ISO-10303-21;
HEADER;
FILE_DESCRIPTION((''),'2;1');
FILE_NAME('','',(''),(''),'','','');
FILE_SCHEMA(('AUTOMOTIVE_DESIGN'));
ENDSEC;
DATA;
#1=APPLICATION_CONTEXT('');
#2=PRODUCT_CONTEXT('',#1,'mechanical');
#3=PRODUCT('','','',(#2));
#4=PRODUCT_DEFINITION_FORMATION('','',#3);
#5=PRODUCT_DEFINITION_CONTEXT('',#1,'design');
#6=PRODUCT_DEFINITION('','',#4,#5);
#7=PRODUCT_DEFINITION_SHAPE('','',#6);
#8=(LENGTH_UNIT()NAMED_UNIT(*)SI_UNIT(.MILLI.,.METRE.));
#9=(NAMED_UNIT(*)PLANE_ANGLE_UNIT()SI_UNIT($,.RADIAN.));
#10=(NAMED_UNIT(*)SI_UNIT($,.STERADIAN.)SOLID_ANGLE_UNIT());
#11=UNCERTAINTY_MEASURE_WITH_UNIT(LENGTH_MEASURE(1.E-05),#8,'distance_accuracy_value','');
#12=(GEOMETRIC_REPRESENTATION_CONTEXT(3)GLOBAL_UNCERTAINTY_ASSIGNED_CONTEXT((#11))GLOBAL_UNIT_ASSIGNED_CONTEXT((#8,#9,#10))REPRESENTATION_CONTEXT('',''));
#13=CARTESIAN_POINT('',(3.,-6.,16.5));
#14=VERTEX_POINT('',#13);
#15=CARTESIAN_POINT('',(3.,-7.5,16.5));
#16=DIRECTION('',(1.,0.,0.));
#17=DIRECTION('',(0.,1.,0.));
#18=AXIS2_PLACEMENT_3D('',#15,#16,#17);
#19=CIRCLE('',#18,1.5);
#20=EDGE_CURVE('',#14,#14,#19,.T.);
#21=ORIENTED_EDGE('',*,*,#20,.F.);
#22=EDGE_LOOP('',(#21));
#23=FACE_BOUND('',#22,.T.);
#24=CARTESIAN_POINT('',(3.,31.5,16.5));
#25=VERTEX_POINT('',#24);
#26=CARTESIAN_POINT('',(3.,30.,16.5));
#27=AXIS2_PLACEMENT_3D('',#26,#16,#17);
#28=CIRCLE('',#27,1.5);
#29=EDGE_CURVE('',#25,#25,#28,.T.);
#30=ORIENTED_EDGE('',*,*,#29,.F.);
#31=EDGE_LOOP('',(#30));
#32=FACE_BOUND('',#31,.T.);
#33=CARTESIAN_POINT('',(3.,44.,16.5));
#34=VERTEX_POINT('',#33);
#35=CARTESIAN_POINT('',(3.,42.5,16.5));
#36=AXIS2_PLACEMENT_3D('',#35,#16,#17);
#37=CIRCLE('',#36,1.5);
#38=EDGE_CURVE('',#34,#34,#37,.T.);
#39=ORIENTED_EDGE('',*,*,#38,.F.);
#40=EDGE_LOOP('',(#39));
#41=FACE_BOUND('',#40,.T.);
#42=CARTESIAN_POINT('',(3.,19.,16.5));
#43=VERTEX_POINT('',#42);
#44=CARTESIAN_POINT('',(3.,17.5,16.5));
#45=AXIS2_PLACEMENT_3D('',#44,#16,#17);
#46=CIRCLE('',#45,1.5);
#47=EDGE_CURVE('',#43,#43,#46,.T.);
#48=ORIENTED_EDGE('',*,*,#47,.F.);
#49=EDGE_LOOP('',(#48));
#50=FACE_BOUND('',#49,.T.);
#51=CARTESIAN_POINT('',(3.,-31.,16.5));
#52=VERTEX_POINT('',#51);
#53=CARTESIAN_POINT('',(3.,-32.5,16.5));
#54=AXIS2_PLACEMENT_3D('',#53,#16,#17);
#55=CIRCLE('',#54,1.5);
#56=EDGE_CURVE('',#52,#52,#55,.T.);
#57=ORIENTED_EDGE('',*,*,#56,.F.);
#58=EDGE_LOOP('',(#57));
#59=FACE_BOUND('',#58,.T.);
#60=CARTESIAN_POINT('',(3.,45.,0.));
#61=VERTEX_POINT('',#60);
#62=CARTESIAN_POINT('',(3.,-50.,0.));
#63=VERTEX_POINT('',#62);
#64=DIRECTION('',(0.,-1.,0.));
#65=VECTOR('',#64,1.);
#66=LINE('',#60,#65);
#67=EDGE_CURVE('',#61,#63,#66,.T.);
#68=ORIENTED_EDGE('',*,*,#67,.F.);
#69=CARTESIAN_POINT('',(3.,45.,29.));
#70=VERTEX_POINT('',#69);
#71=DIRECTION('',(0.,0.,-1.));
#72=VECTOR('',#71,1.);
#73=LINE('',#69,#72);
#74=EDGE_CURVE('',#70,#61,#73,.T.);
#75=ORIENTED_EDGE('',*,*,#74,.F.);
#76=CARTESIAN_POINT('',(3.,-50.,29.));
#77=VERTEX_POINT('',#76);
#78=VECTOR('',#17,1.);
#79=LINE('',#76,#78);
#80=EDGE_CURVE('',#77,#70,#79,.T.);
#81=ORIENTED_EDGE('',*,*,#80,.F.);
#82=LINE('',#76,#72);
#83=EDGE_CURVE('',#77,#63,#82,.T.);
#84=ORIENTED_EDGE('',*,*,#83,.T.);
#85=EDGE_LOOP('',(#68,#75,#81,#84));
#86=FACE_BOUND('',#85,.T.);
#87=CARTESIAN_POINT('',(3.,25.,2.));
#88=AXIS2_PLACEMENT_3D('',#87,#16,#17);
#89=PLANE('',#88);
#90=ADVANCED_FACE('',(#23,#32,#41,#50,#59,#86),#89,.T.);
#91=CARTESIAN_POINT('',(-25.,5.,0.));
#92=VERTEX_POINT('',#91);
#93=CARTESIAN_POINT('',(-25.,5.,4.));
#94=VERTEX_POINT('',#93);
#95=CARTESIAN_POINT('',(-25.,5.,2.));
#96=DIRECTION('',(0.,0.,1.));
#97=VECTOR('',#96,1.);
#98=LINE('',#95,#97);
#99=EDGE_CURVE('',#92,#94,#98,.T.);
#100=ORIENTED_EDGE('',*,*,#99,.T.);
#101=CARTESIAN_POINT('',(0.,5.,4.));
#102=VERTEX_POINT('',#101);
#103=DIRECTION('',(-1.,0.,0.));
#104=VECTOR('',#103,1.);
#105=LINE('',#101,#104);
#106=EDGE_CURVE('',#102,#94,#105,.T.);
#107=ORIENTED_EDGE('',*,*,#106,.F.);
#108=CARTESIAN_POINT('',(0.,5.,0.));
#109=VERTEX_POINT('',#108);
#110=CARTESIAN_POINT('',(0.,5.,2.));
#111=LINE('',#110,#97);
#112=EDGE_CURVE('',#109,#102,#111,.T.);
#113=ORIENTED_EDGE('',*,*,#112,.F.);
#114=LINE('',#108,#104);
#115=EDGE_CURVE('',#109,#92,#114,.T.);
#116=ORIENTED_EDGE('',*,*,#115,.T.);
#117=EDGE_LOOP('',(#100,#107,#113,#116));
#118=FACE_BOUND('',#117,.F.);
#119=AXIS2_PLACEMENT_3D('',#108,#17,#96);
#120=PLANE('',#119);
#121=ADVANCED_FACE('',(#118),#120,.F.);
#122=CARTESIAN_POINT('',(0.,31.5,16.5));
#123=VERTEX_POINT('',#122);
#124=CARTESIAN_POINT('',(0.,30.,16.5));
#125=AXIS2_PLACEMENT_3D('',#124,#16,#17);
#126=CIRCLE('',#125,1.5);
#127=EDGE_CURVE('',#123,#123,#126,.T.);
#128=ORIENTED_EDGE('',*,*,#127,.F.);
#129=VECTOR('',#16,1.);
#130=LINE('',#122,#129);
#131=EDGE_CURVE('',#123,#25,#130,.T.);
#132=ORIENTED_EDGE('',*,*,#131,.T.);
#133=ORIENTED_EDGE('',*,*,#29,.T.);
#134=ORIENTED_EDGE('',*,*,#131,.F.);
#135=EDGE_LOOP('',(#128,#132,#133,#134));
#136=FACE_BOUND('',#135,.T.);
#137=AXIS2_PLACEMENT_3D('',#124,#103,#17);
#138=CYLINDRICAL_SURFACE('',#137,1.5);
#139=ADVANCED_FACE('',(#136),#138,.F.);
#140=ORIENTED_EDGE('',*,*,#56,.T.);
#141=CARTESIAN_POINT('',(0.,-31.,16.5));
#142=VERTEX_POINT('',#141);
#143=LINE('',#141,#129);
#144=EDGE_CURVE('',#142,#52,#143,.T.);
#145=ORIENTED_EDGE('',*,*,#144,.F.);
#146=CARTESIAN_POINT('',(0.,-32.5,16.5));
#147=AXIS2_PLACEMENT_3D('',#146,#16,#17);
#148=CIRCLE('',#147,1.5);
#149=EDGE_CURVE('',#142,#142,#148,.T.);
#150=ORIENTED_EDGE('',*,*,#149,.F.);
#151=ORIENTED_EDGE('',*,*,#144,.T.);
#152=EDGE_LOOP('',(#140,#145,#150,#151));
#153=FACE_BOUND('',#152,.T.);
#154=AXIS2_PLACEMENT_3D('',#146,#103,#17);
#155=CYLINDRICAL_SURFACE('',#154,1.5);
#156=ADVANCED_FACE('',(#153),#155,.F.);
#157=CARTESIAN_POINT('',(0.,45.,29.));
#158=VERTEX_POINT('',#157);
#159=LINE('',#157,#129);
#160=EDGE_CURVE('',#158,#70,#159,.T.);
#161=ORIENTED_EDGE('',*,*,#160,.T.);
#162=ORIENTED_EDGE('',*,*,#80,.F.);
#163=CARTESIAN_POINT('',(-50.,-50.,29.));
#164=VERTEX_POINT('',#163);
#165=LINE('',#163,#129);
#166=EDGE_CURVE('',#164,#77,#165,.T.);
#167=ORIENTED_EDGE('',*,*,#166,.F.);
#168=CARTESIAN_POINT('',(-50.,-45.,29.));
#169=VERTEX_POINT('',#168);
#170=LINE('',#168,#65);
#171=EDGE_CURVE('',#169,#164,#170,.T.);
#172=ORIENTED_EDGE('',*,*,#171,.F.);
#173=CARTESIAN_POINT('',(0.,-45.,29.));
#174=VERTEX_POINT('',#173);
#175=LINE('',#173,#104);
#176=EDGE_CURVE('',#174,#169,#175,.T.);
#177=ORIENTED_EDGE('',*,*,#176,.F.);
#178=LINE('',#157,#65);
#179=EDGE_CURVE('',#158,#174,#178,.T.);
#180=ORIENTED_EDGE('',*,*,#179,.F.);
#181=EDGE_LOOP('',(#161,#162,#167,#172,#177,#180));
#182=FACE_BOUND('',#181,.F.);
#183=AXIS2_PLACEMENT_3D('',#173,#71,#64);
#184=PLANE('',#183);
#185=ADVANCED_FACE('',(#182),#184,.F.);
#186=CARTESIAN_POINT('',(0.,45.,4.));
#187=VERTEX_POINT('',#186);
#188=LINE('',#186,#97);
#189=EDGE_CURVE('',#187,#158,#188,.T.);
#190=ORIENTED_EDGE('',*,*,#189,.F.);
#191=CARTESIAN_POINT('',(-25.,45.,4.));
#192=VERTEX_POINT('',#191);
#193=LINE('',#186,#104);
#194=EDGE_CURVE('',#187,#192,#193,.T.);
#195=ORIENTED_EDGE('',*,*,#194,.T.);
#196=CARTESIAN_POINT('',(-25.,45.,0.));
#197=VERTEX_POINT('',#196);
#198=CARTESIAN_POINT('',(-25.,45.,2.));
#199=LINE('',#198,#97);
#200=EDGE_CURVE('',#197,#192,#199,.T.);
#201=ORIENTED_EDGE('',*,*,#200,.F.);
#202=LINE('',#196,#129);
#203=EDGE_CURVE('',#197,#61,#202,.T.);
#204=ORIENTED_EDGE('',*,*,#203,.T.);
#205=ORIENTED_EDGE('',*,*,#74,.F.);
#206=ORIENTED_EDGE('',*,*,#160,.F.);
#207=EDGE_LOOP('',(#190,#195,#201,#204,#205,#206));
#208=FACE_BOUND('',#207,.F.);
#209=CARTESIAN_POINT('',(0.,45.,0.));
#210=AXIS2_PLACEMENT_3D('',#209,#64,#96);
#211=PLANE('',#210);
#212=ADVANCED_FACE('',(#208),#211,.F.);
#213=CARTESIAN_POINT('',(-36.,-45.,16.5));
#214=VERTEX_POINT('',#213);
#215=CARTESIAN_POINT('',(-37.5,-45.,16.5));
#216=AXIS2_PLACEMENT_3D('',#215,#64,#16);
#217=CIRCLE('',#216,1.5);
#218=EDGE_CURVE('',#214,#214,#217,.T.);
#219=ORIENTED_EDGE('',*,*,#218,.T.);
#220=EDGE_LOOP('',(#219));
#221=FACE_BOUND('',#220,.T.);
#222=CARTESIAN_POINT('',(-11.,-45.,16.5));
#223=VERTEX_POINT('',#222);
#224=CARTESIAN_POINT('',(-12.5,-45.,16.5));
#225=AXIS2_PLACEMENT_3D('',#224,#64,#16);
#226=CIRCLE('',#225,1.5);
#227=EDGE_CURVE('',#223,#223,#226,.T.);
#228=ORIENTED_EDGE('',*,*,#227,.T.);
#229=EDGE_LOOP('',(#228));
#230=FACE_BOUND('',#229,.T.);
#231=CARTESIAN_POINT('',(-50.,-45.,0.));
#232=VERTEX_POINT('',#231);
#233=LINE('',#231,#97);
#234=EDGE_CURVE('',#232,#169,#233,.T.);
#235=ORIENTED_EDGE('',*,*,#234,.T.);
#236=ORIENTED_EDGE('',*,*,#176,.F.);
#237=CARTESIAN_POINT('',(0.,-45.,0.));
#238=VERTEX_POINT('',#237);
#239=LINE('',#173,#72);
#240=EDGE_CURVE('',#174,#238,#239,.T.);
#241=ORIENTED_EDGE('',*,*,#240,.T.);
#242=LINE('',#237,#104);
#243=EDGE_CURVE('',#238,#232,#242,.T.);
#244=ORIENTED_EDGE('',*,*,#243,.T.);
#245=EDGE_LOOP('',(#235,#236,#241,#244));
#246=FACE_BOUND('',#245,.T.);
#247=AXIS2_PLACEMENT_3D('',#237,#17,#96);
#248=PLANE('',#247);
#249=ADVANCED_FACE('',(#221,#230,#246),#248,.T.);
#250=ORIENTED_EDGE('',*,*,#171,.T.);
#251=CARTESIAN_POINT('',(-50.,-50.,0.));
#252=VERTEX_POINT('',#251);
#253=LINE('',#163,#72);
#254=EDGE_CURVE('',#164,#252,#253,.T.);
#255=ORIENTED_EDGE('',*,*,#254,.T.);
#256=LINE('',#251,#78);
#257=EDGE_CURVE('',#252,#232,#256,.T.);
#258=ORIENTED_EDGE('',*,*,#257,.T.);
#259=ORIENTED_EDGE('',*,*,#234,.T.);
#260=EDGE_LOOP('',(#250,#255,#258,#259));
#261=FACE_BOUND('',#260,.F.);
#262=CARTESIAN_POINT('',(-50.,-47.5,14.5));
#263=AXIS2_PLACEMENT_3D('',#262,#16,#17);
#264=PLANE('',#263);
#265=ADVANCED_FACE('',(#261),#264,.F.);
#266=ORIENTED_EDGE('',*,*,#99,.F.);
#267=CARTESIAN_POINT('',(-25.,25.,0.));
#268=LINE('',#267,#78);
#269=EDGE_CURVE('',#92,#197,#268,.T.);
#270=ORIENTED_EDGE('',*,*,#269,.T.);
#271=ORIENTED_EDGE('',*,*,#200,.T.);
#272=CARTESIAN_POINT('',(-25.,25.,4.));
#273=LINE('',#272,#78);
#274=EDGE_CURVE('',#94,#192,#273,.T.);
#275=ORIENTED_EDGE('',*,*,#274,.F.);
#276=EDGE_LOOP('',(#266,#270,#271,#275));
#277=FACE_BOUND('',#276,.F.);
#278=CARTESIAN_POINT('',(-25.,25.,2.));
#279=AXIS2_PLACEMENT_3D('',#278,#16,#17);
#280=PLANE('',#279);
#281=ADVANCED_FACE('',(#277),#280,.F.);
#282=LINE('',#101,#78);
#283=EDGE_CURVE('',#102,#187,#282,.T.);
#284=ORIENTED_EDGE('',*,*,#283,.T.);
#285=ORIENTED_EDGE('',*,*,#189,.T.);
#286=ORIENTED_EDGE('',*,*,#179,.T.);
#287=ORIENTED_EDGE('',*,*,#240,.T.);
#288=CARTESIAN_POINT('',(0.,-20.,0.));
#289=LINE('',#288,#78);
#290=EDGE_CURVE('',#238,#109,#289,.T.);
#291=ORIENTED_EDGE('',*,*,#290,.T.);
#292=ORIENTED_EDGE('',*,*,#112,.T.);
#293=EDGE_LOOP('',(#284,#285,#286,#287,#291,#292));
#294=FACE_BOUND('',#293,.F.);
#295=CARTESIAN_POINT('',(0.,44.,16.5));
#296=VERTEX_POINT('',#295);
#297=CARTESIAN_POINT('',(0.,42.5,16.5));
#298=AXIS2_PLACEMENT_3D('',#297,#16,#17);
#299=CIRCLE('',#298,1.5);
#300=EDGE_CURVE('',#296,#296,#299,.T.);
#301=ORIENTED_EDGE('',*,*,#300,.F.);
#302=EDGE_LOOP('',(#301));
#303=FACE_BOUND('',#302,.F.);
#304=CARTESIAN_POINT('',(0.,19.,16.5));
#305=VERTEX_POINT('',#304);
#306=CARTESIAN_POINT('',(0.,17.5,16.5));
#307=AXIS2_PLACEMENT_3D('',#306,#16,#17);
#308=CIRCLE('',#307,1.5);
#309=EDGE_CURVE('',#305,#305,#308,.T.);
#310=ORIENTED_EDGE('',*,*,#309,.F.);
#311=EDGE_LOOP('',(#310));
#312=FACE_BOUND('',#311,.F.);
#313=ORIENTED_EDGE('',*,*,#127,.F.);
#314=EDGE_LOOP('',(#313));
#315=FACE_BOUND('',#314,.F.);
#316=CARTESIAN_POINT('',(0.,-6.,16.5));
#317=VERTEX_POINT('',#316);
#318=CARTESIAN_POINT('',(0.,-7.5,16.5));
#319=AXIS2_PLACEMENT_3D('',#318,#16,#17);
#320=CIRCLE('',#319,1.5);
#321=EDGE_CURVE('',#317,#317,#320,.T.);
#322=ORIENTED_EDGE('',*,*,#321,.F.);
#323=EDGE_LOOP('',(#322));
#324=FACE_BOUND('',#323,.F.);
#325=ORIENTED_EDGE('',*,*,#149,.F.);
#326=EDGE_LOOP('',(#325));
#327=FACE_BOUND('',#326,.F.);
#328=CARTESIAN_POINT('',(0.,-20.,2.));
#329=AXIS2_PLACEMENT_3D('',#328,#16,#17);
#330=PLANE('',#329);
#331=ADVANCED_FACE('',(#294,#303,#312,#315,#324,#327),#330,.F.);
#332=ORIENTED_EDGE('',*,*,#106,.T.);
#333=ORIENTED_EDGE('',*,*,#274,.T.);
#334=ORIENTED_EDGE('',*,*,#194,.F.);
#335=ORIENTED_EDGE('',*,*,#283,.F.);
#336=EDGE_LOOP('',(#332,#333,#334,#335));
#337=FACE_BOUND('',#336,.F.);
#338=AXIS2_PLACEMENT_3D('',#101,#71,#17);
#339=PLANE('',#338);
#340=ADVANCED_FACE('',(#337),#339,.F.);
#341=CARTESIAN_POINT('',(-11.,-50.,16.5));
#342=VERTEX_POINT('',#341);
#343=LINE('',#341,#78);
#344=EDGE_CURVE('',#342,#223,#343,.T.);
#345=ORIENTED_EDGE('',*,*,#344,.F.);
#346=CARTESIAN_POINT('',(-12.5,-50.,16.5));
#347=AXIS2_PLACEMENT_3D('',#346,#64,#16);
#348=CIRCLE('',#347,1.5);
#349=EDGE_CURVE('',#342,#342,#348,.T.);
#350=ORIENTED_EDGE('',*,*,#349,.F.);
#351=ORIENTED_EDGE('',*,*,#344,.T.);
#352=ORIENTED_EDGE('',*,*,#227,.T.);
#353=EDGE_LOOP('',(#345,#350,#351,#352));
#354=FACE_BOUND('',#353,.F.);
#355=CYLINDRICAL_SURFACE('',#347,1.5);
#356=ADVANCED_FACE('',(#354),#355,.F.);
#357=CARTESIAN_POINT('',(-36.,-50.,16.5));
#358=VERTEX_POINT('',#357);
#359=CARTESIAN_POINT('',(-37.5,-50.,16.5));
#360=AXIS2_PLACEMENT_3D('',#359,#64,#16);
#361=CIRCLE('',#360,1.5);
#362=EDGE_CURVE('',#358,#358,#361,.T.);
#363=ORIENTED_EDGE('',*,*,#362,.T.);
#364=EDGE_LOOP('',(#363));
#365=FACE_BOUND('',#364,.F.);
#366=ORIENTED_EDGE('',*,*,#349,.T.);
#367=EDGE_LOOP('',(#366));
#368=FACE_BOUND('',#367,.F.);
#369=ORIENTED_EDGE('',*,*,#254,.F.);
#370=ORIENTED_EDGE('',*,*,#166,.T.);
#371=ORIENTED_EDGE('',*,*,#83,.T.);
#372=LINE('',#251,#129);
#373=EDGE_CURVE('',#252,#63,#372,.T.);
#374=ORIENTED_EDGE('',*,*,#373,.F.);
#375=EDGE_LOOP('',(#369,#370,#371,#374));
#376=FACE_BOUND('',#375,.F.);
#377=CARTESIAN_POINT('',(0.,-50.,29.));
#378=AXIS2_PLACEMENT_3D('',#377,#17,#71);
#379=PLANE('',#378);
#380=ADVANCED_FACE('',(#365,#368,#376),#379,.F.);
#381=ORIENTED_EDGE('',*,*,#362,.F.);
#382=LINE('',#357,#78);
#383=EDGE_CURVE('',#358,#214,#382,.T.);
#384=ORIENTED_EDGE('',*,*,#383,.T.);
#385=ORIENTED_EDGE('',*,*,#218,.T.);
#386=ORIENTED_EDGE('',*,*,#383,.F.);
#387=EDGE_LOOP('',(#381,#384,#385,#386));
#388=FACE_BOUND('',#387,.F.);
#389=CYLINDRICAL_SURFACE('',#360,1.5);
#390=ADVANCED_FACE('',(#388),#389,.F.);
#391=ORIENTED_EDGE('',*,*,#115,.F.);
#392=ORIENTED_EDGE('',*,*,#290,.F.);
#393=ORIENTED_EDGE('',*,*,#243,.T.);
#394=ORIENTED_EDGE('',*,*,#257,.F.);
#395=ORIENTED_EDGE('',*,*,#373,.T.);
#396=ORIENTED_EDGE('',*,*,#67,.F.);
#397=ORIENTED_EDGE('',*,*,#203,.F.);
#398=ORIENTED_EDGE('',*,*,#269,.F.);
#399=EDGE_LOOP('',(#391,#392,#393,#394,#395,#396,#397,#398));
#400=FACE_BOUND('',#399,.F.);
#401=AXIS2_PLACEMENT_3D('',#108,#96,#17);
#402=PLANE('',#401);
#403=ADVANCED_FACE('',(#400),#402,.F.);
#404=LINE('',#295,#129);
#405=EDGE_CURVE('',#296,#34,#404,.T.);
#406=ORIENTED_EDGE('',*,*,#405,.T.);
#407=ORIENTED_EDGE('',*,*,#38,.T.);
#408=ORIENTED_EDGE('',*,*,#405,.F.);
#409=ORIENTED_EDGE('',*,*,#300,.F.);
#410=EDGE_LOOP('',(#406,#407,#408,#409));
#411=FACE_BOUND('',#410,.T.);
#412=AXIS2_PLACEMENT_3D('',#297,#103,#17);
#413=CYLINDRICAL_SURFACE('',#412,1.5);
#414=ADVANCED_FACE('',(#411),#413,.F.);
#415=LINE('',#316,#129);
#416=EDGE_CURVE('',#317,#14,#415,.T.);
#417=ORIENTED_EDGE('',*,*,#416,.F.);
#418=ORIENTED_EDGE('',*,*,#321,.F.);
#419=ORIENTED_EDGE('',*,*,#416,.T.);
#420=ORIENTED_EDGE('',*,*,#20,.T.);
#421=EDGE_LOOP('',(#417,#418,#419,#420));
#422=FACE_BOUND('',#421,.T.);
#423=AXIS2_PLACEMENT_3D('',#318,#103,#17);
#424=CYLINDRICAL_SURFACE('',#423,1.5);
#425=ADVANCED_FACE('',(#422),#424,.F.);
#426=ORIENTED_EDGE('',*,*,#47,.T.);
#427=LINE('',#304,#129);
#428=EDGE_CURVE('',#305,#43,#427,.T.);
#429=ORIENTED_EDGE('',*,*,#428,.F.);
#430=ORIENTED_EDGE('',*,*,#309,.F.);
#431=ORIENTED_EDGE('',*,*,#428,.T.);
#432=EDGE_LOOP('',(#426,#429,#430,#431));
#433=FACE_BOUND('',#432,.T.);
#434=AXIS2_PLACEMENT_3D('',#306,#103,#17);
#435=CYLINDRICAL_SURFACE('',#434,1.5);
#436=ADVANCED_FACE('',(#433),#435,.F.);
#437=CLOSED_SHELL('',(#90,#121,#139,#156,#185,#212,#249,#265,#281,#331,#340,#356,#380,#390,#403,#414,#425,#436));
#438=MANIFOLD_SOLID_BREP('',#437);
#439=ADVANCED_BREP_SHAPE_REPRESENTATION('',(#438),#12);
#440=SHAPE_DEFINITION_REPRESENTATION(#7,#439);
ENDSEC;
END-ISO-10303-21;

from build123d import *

# Parameters (mm, degrees)
F0_W          = 50
F0_H          = 4
F0_R          = 1.5
F1_DEPTH      = 3
F2_DEPTH      = 50
F2_DEPTH_BACK = 3
F0_W_2        = 40
F3_DEPTH      = 25
F3_DEPTH_BACK = 3
F4_R          = 1.5
F5_DEPTH      = 25


with BuildPart() as f1:
    # F0 (on Right) → F1 (new body)
    with BuildSketch(Plane.YZ):
        with Locations((-20, 2)):
            Rectangle(F0_W, F0_H)
        Polygon((-45, 29), (-45, 4), (5, 4), (45, 4), (45, 29), align=None)
        with Locations((-32.5, 16.5)):
            Circle(F0_R, mode=Mode.SUBTRACT)
        with Locations((-7.5, 16.5)):
            Circle(F0_R, mode=Mode.SUBTRACT)
        with Locations((17.5, 16.5)):
            Circle(F0_R, mode=Mode.SUBTRACT)
        with Locations((30, 16.5)):
            Circle(F0_R, mode=Mode.SUBTRACT)
        with Locations((42.5, 16.5)):
            Circle(F0_R, mode=Mode.SUBTRACT)
    extrude(amount=F1_DEPTH)

    # F0 (on Right) → F2 (join, two sides)
    with BuildSketch(Plane.YZ) as f2_sk:
        Polygon((-45, 0), (-45, 4), (-45, 29), (-50.000000447, 29), (-50.000000447, 0), align=None)
    extrude(amount=-F2_DEPTH)
    extrude(f2_sk.sketch, amount=F2_DEPTH_BACK)

    # F0 (on Right) → F3 (join, two sides)
    with BuildSketch(Plane.YZ) as f3_sk:
        with Locations((25, 2)):
            Rectangle(F0_W_2, F0_H)
    extrude(amount=-F3_DEPTH)
    extrude(f3_sk.sketch, amount=F3_DEPTH_BACK)

    # F4 (on face) → F5 (cut)
    with BuildSketch(Plane.XZ.offset(50.000000447)):
        with Locations((-37.5, 16.5)):
            Circle(F4_R)
        with Locations((-12.5, 16.5)):
            Circle(F4_R)
    extrude(amount=-F5_DEPTH, mode=Mode.SUBTRACT)


solid = f1.part
